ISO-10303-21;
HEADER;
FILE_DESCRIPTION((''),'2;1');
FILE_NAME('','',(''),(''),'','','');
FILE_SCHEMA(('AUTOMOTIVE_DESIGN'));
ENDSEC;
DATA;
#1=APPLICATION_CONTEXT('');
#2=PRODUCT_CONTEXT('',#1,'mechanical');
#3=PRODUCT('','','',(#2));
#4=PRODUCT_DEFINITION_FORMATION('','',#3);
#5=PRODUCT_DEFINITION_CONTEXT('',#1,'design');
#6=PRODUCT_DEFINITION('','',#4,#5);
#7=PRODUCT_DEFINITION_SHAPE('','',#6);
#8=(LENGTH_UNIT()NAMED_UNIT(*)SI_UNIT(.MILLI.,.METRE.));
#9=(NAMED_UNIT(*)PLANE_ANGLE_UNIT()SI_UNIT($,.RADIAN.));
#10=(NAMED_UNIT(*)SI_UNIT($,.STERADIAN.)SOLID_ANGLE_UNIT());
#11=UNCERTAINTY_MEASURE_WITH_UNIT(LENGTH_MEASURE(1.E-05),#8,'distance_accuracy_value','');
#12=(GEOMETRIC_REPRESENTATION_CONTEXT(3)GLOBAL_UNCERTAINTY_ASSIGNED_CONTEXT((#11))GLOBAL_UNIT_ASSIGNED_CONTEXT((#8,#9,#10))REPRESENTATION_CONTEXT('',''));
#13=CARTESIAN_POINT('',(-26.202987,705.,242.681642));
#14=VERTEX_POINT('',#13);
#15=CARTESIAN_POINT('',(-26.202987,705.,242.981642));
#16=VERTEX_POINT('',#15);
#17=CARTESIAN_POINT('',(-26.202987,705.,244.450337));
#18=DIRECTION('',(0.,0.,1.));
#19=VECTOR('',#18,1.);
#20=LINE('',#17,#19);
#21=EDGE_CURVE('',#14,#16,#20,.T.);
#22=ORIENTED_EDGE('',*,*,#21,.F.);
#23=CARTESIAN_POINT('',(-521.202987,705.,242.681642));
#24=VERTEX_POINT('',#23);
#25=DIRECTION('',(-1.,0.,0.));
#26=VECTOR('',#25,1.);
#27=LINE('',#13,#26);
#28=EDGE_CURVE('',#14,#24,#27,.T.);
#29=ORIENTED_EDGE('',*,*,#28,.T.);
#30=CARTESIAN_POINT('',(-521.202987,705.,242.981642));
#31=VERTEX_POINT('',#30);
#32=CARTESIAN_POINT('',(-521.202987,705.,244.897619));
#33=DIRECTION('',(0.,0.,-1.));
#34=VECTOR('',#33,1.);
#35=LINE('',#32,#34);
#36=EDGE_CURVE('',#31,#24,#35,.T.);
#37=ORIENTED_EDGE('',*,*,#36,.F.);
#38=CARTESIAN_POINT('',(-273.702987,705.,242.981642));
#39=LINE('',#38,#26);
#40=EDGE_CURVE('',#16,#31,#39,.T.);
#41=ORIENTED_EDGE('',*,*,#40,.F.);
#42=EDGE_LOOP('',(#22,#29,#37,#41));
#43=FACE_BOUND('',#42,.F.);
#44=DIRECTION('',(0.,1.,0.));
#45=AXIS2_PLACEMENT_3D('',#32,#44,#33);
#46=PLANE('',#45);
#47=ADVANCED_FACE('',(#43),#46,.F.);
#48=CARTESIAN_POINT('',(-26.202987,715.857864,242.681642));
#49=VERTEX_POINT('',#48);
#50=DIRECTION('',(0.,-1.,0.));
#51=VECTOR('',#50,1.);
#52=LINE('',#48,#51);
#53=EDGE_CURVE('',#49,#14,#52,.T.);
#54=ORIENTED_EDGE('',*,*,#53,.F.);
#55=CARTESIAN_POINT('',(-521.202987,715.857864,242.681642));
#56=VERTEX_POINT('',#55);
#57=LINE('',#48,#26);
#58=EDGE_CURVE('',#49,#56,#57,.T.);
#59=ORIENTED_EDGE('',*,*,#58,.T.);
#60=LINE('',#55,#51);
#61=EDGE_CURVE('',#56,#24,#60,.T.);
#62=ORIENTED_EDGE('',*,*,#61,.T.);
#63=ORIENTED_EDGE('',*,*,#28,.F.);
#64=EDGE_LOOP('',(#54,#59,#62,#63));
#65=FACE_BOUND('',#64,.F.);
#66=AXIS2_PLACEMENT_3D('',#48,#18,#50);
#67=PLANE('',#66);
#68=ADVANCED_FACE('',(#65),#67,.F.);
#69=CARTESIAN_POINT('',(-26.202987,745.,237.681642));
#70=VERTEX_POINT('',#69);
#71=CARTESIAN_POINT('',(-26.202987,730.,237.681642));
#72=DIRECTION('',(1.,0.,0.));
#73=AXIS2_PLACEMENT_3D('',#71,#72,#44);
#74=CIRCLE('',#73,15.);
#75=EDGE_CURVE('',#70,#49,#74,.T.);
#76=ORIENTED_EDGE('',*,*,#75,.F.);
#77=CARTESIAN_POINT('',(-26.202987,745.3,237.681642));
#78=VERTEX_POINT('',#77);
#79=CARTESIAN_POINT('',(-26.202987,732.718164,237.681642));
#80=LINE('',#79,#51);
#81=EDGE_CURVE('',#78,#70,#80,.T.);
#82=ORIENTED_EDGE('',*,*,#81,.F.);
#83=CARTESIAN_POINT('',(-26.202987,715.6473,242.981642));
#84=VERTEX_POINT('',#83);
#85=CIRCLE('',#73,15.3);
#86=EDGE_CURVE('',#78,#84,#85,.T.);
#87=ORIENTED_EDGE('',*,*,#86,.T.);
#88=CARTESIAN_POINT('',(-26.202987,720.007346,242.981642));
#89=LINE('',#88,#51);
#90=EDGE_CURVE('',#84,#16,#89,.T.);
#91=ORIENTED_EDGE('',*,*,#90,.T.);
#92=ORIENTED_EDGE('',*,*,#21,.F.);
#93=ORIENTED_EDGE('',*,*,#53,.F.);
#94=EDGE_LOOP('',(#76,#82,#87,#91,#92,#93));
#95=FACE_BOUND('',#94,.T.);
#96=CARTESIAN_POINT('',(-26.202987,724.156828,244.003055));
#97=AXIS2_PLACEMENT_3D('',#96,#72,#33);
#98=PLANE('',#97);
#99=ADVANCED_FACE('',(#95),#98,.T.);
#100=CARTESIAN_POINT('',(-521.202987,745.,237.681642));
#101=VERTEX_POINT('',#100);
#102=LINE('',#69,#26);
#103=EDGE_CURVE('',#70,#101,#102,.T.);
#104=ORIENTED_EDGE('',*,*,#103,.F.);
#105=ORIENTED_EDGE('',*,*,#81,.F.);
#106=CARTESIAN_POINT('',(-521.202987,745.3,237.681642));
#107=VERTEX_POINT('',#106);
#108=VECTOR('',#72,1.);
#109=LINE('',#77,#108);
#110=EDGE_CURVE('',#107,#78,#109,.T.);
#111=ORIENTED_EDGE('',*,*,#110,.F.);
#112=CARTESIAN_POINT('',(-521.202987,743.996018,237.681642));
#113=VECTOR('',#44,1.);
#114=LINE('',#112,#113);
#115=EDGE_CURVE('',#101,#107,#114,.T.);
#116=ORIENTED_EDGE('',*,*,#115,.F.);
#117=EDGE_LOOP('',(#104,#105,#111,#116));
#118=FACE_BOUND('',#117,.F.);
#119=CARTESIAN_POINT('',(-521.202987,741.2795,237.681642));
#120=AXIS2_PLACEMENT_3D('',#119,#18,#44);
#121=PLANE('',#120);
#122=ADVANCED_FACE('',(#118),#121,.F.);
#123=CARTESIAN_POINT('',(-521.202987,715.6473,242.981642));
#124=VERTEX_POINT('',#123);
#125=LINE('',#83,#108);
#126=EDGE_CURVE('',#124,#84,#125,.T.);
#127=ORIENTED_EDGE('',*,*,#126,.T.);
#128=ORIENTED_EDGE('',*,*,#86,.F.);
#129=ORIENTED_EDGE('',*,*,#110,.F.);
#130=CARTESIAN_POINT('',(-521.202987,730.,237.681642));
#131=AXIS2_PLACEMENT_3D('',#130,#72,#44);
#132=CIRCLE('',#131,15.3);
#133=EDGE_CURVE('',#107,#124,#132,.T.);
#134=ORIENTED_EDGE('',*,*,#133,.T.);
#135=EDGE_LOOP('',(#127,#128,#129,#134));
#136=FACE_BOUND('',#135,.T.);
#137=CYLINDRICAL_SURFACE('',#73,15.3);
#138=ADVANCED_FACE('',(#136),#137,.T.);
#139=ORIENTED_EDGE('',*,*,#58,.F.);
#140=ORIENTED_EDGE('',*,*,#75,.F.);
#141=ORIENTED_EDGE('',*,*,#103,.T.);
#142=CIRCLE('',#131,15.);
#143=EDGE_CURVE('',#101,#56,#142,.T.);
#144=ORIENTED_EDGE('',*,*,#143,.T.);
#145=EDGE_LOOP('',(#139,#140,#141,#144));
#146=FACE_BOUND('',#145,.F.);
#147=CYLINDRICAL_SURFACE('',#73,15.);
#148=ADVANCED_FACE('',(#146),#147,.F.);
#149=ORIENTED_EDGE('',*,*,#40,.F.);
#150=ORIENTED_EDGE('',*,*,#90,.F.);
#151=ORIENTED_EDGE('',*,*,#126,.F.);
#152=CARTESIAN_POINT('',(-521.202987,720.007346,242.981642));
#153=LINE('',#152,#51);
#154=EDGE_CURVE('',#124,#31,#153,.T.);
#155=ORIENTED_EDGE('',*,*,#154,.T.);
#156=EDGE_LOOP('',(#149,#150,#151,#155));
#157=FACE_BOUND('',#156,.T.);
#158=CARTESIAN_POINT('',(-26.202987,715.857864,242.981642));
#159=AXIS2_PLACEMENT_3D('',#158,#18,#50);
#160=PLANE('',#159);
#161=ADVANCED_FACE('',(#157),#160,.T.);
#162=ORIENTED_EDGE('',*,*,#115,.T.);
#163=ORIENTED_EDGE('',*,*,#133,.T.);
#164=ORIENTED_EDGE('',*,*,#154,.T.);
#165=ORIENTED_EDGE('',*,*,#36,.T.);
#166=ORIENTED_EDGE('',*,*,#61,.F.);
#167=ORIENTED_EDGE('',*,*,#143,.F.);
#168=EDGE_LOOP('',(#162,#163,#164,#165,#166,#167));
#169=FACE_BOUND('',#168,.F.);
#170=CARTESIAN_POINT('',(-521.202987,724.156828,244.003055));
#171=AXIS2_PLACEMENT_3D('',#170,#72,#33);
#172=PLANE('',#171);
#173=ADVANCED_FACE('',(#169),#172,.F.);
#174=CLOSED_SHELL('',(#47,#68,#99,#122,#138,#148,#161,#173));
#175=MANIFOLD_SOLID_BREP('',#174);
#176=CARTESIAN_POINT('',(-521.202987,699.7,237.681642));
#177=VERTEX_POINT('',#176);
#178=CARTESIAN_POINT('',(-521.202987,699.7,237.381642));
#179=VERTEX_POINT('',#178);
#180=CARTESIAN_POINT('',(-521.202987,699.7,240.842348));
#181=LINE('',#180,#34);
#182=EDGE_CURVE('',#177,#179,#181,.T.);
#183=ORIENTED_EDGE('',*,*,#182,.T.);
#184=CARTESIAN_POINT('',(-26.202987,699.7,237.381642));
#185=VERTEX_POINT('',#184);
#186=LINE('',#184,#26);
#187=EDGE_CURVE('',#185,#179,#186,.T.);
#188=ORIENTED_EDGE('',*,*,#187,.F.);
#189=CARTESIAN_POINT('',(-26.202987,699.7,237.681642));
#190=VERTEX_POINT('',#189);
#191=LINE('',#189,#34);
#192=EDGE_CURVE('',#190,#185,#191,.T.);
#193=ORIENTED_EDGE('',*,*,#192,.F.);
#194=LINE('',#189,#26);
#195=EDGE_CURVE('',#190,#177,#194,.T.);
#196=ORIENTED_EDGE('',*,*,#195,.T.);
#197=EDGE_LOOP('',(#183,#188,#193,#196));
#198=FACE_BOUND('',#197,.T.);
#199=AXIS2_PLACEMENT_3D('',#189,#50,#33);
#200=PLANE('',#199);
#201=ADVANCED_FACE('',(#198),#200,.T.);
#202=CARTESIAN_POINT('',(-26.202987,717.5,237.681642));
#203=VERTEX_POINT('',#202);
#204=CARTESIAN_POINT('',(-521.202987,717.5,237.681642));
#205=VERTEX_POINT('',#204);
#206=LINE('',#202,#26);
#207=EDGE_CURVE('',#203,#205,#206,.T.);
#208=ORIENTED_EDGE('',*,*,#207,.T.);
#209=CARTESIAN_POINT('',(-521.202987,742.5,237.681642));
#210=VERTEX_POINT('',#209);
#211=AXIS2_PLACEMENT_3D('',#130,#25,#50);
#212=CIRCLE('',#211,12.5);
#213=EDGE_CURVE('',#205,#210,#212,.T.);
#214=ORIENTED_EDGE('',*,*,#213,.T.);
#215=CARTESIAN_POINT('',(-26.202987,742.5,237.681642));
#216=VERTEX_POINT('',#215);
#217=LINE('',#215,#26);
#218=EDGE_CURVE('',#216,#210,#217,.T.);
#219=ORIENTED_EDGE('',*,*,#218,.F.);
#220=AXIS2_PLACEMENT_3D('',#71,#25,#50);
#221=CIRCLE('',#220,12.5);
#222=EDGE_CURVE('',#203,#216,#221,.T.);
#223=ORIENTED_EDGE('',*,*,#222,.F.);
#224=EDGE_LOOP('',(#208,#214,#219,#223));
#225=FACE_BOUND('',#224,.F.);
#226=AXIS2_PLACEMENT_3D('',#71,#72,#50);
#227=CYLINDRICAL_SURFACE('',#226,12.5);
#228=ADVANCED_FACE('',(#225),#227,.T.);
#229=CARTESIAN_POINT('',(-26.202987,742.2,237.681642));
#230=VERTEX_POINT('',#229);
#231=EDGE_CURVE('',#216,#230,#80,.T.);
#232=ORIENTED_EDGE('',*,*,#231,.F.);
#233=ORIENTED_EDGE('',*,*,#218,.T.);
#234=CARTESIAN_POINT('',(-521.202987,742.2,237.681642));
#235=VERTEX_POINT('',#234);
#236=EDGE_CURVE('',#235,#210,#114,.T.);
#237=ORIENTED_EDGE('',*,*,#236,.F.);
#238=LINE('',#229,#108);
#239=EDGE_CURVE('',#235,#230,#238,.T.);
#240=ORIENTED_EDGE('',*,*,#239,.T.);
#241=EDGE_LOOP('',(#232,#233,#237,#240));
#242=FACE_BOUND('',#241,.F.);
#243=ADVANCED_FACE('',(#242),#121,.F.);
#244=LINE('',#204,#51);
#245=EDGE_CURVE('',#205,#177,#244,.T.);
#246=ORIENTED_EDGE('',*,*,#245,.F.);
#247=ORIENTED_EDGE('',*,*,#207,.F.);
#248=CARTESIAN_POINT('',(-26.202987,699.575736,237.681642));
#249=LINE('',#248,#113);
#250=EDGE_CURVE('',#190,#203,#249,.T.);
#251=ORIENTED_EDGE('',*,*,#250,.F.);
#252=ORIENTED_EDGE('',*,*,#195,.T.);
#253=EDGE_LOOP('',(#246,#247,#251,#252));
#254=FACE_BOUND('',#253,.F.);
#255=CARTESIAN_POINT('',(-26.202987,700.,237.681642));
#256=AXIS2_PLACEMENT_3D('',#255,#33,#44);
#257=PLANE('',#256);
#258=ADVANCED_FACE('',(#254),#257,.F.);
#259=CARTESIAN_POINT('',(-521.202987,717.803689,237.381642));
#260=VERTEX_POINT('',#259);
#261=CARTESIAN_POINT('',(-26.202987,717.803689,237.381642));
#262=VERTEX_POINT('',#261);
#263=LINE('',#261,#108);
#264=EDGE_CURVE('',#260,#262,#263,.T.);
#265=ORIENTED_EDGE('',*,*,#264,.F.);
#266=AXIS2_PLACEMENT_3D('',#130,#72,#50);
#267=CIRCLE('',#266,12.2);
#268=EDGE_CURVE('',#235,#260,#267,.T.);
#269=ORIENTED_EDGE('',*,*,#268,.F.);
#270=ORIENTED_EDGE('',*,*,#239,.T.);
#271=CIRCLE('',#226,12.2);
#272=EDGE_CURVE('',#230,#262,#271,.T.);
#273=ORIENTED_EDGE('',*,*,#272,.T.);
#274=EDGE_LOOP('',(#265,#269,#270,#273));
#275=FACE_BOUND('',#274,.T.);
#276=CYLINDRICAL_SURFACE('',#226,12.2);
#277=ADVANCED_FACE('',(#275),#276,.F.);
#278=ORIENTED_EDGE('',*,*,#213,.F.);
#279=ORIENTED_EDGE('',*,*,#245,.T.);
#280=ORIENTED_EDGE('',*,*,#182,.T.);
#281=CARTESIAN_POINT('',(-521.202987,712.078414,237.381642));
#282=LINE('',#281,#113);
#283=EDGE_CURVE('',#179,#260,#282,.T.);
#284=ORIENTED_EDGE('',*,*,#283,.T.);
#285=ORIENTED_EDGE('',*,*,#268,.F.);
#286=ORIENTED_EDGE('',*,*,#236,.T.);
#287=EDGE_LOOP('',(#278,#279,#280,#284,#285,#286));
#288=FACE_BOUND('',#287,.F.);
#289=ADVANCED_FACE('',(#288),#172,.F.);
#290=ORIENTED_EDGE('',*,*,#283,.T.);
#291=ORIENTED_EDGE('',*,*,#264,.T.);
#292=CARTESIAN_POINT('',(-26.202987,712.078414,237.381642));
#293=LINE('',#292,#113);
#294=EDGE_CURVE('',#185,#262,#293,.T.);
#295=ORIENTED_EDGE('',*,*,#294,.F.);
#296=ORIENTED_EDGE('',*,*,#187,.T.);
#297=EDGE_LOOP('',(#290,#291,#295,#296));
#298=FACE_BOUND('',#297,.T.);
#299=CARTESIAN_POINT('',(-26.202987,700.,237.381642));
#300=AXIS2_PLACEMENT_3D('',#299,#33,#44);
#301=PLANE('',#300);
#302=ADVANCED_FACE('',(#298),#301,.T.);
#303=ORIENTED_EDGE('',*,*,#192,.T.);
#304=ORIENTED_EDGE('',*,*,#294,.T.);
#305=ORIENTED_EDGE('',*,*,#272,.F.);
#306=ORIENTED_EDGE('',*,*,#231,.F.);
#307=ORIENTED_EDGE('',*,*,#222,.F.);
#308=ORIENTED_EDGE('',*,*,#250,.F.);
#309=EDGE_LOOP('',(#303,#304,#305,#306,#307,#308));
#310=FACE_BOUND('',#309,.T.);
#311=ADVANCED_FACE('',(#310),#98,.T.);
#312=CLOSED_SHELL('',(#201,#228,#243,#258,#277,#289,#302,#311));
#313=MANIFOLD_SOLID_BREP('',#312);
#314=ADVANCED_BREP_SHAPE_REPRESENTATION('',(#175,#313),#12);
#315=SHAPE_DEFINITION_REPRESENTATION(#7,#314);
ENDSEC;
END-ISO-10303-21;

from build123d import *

# Parameters (mm, degrees)
DODANIE_WYCI_GNI_CIE1_DEPTH = 495
SKORUPA1_T                  = 0.3
SZKIC2_W                    = 0.537419475
SZKIC2_H                    = 5.433036789
WYTNIJ_WYCI_GNI_CIE1_DEPTH  = 930.783201162
WYTNIJ_WYCI_GNI_CIE2_DEPTH  = 930.783201162


with BuildPart() as part:
    # Szkic1 → Dodanie-wyciągnięcie1 (new body)
    with BuildSketch(Plane(origin=(-26.202987023, 0, 0), x_dir=(0, 0, -1), z_dir=(1, 0, 0))):
        with BuildLine():
            Line((-237.681641948, 742.5), (-237.681641948, 745))
            ThreePointArc((-237.681641948, 745), (-252.465620342, 732.536529681), (-242.681641948, 715.857864376))
            Line((-242.681641948, 715.857864376), (-242.681641948, 705))
            Line((-242.681641948, 705), (-237.681641948, 700))
            Line((-237.681641948, 700), (-237.681641948, 717.5))
            ThreePointArc((-237.681641948, 717.5), (-250.181641948, 730), (-237.681641948, 742.5))
        make_face()
    extrude(amount=-DODANIE_WYCI_GNI_CIE1_DEPTH)

    # Skorupa1
    skorupa1_openings = [part.faces().sort_by_distance(p)[0] for p in [
        (-26.202987023, 743.75, 238.155983597),
        (-521.202987023, 743.75, 238.155983597),
    ]]
    offset(amount=SKORUPA1_T, openings=skorupa1_openings, kind=Kind.INTERSECTION)

    # Szkic2 → Wytnij-wyciągnięcie1 (cut, through all)
    with BuildSketch(Plane.ZY.offset(521.202987023)):
        Polygon((242.681641948, 705), (237.681641948, 705), (237.681641948, 695.383160832), (244.897619128, 695.383160832), (244.897619128, 705), align=None)
        with Locations((237.412932211, 743.996017968)):
            Rectangle(SZKIC2_W, SZKIC2_H)
    extrude(amount=-WYTNIJ_WYCI_GNI_CIE1_DEPTH, mode=Mode.SUBTRACT)


with BuildPart() as wytnij_wyci_gni_cie1_piece_1:
    # of the separate pieces the step leaves, piece 1, a body of its own (wytnij_wyci_gni_cie1_pieces)
    add(part.part.solids().sort_by_distance((-26.202987023, 717.5, 237.681641948))[0])

    # Szkic3 → Wytnij-wyciągnięcie2 (cut, through all)
    with BuildSketch(Plane(origin=(-26.202987023, 0, 0), x_dir=(0, 0, -1), z_dir=(1, 0, 0))):
        Polygon((-237.681641948, 699.7), (-237.13154062, 699.7), (-237.13154062, 698.976022056), (-237.977292852, 698.976022056), align=None)
    extrude(amount=-WYTNIJ_WYCI_GNI_CIE2_DEPTH, mode=Mode.SUBTRACT)


with BuildPart() as wytnij_wyci_gni_cie1_piece_2:
    # of the separate pieces the step leaves, piece 2, a body of its own (wytnij_wyci_gni_cie1_pieces)
    add(part.part.solids().sort_by_distance((-26.202987023, 745, 237.681641948))[0])


solid = Compound([wytnij_wyci_gni_cie1_piece_1.part, wytnij_wyci_gni_cie1_piece_2.part])
